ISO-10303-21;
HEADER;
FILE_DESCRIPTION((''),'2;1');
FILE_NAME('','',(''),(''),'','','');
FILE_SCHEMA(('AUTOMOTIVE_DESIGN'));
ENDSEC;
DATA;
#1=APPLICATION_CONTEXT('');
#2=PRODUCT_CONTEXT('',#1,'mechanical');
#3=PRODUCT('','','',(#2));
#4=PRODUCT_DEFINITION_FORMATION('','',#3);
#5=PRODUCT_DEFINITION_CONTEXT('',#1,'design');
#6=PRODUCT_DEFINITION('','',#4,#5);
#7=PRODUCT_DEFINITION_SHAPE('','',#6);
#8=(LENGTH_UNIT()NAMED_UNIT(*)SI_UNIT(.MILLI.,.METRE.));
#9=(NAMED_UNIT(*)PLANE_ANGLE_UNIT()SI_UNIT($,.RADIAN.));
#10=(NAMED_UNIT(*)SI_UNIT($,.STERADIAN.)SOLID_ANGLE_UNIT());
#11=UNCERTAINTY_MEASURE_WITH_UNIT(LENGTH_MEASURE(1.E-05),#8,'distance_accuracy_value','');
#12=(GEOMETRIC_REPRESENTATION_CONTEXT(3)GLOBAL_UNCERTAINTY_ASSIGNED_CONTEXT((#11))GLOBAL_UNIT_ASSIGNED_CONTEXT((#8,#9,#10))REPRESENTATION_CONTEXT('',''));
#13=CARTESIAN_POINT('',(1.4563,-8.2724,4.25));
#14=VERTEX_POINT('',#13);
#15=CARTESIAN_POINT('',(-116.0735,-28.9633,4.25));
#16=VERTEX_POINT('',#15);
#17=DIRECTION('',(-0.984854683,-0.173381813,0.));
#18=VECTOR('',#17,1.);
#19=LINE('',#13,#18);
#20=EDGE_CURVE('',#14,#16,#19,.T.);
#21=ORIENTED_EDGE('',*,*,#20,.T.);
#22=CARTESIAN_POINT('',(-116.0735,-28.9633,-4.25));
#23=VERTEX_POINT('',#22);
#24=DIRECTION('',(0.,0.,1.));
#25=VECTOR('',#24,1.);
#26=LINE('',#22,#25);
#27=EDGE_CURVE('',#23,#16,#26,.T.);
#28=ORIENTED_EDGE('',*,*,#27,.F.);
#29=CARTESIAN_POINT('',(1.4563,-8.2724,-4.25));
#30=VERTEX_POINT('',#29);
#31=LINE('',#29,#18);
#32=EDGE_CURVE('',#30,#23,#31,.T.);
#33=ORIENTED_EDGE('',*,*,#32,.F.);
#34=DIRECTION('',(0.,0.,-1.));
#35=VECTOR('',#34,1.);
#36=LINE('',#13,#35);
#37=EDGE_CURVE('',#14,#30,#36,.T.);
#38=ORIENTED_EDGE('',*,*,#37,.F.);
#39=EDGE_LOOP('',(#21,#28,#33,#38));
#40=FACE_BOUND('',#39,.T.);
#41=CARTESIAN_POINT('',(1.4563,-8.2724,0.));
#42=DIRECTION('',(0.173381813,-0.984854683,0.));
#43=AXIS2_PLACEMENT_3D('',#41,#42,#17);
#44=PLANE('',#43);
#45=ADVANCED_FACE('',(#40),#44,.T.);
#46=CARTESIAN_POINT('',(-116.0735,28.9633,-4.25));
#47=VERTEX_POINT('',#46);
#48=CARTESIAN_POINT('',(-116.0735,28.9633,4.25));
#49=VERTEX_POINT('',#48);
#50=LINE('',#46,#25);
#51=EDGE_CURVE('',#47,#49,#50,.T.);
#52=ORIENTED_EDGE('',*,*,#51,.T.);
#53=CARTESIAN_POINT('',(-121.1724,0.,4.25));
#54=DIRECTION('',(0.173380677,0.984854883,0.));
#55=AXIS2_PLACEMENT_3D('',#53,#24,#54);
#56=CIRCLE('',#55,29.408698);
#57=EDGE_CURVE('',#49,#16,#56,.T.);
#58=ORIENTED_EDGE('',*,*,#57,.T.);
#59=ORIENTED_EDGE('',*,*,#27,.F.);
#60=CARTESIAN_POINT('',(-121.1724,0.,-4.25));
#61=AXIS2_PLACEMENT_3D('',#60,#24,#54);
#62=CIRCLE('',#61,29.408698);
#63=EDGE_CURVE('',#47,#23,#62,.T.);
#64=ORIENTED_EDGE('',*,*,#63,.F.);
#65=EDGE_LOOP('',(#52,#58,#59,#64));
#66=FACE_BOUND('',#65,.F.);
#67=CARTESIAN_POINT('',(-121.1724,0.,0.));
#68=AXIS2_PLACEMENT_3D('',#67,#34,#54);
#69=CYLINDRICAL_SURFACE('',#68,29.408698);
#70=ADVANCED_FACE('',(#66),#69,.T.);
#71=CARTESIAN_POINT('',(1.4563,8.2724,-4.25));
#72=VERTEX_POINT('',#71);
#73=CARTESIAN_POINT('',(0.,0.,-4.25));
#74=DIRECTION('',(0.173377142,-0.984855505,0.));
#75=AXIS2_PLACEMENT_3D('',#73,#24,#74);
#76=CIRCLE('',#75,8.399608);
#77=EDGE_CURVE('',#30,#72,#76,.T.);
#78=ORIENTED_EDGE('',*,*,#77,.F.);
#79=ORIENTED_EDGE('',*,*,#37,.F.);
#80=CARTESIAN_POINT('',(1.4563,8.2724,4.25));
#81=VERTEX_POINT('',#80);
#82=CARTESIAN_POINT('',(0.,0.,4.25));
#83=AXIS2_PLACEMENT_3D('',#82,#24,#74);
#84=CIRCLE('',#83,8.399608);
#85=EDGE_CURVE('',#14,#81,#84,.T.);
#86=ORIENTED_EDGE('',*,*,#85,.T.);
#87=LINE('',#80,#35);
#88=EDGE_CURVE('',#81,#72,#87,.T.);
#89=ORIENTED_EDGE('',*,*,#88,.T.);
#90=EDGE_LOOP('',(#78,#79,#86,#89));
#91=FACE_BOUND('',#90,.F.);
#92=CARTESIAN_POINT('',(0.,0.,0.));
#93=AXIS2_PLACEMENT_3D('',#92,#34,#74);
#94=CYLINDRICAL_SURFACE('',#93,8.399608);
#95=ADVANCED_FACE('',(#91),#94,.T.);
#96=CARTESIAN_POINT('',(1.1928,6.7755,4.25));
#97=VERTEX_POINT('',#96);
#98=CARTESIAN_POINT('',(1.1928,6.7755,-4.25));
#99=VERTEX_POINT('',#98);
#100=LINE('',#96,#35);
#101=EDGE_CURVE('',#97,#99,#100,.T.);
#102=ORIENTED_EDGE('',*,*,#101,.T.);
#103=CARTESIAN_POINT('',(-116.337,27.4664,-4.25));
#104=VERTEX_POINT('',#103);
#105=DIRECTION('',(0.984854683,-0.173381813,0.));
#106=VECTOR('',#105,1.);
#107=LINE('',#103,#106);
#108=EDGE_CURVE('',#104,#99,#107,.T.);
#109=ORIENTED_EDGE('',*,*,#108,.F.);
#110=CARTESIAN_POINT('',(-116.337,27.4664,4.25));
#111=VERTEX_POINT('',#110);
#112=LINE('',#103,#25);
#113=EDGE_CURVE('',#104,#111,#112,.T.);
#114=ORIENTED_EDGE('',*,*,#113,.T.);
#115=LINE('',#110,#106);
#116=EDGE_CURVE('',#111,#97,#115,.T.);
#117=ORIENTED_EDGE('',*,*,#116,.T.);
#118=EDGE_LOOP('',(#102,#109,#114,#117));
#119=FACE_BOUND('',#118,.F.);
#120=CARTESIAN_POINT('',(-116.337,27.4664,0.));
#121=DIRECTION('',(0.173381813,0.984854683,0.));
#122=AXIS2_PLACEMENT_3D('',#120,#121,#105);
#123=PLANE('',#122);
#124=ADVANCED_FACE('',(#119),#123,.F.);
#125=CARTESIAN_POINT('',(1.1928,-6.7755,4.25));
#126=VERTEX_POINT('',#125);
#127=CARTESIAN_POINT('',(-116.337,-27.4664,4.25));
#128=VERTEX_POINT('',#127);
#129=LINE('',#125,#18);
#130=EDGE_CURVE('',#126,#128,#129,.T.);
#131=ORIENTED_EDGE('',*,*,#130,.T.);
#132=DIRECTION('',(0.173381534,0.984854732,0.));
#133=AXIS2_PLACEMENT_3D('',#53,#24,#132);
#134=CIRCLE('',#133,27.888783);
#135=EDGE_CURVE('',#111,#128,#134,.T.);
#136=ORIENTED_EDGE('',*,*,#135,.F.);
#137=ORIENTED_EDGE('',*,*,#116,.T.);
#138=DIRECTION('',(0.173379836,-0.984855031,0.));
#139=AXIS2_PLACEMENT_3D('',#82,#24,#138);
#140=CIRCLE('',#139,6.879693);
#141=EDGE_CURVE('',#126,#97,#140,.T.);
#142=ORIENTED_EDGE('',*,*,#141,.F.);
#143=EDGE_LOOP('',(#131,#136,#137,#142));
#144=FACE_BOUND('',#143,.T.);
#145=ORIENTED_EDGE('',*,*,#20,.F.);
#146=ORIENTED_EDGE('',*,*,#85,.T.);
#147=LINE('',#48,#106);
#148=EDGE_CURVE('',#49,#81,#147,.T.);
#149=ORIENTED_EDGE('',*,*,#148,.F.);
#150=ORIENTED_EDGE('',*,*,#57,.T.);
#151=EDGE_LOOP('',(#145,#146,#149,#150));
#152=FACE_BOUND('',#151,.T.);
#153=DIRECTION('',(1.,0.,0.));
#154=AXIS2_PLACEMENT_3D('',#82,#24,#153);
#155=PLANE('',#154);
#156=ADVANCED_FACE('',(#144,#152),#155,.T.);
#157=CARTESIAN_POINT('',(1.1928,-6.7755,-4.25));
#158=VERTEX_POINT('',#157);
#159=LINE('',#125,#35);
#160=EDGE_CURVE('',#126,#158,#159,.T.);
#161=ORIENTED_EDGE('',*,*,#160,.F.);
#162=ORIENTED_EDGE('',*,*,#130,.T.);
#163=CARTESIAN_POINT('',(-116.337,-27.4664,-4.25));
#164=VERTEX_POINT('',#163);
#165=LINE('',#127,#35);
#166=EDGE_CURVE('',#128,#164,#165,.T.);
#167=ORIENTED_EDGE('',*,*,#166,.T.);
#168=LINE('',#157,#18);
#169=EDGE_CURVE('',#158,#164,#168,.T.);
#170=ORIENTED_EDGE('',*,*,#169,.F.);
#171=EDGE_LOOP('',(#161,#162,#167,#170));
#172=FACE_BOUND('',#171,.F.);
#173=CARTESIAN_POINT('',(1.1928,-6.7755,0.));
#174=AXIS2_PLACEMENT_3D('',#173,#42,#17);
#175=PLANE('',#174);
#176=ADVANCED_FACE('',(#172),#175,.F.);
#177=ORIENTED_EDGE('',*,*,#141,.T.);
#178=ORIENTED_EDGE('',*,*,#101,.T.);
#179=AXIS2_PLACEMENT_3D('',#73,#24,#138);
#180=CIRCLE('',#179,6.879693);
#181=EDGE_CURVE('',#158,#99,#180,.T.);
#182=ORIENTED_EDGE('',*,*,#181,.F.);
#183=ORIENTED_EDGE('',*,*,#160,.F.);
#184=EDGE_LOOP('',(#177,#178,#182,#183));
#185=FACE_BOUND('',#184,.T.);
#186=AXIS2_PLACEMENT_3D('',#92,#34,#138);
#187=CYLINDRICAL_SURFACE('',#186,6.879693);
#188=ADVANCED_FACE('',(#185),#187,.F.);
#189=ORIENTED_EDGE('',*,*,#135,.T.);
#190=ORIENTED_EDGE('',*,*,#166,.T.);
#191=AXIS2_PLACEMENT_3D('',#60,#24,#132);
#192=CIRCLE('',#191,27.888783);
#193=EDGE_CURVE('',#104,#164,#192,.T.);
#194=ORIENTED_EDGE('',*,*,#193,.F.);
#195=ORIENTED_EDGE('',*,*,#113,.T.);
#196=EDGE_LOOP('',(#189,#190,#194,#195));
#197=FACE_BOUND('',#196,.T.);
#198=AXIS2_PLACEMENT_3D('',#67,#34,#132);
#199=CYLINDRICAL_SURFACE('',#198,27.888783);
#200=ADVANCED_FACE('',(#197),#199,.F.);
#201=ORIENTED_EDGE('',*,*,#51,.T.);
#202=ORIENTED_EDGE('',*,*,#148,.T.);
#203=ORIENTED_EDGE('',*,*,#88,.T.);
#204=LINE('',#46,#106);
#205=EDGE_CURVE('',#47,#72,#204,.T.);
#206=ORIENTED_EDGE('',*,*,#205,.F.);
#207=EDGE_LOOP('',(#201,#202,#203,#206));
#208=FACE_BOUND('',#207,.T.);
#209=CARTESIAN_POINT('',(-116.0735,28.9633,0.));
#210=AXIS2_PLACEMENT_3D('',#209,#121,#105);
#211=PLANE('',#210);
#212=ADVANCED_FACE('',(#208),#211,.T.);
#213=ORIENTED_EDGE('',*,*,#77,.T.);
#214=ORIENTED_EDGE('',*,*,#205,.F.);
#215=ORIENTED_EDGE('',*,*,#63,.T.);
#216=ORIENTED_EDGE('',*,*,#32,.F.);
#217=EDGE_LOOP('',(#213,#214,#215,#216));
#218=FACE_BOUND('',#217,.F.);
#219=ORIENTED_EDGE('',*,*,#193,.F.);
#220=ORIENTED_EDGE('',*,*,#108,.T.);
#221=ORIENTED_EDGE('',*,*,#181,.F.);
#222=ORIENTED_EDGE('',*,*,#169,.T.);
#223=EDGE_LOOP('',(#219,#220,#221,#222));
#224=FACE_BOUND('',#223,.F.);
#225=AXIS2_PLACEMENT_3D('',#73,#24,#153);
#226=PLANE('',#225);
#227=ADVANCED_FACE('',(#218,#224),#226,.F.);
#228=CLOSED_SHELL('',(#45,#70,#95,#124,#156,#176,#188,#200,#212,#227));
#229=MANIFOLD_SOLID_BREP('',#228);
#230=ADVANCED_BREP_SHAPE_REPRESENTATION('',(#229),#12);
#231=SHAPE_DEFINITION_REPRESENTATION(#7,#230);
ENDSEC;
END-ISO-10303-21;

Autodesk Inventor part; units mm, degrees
ref_plane "YZ Plane" through (0, 0, 0) normal (1, 0, 0) x (0, 1, 0)
ref_plane "XZ Plane" through (0, 0, 0) normal (0, 1, 0) x (-1, 0, 0)
ref_plane "XY Plane" through (0, 0, 0) normal (0, 0, 1) x (1, 0, 0)
sketch "Sketch1" plane through (0, 0, 0) normal (0, 0, 1) x (1, 0, 0)
  arc A0 (1.3246, -7.524) -> (1.3246, 7.524) centre (0, 0) ccw construction
  arc A1 (-116.2053, 28.2148) -> (-116.2053, -28.2148) centre (-121.1724, 0) ccw construction
  line L0 (1.3246, -7.524) -> (-116.2053, -28.2148) construction
  line L1 (1.3246, 7.524) -> (-116.2053, 28.2148) construction
  dimension "Belt_Teeth" = 120
  dimension "Belt_Pitch2" = 3
  dimension "d0" = 15.2793
  dimension "d1" = 57.2975
  dimension "d2" = 21.3381
  dimension "d3" = 99.9874
  dimension "Center_Distance" = 121.1724
  dimension "d5" = 119.3372
sketch "Sketch2" plane through (0, 0, 0) normal (0, 0, 1) x (1, 0, 0)
  line L0 (35.7235, 34.2567) -> (38.7235, 34.2567)
  point P0 (0, 0)
  dimension "Belt_Pitch2" = 3
sketch "Sketch4" plane through (0, 0, 0) normal (0, 0, 1) x (1, 0, 0)
  line L0 (-16.1422, -21.869) -> (-14.1422, -21.869)
  line L1 (-16.1422, -21.869) -> (-16.1422, -20.349)
  arc A0 (-15.5872, -20.904) -> (-16.1422, -20.349) centre (-16.1422, -20.904) ccw
  line L2 (-15.5872, -20.904) -> (-15.5872, -20.959)
  arc A1 (-15.5872, -20.959) -> (-15.4372, -21.109) centre (-15.4372, -20.959) ccw
  line L3 (-15.4372, -21.109) -> (-14.8472, -21.109)
  line L4 (-14.1422, -21.869) -> (-14.1422, -20.349)
  arc A2 (-14.1422, -20.349) -> (-14.6972, -20.904) centre (-14.1422, -20.904) ccw
  arc A3 (-14.8472, -21.109) -> (-14.6972, -20.959) centre (-14.8472, -20.959) ccw
  line L5 (-14.6972, -20.959) -> (-14.6972, -20.904)
  line L6 (1.3246, 7.524) -> (-116.2053, 28.2148) construction
  arc A4 (-116.2053, 28.2148) -> (-116.2053, -28.2148) centre (-121.1724, 0) ccw construction
  line L7 (1.3246, -7.524) -> (-116.2053, -28.2148) construction
  arc A5 (1.3246, -7.524) -> (1.3246, 7.524) centre (0, 0) ccw construction
  arc A6 (-116.0735, 28.9633) -> (-116.0735, -28.9633) centre (-121.1724, 0) ccw
  line L8 (-116.0735, 28.9633) -> (1.4563, 8.2724)
  arc A7 (1.4563, -8.2724) -> (1.4563, 8.2724) centre (0, 0) ccw
  line L9 (1.4563, -8.2724) -> (-116.0735, -28.9633)
  arc A8 (-116.337, 27.4664) -> (-116.337, -27.4664) centre (-121.1724, 0) ccw
  line L10 (-116.337, 27.4664) -> (1.1928, 6.7755)
  arc A9 (1.1928, -6.7755) -> (1.1928, 6.7755) centre (0, 0) ccw
  line L11 (1.1928, -6.7755) -> (-116.337, -27.4664)
  point P0 (-15.1422, -21.109)
  point P1 (-15.1422, -21.869)
  dimension "d9" = 2
  dimension "d10" = 1.52
  dimension "d11" = 0.76
  dimension "d12" = 0.555
  dimension "d13" = 0.555
  dimension "d14" = 0.15
  dimension "d15" = 0.15
  dimension "belt_thickness" = 1.52
  dimension "d44" = 0.76
extrude "Extrusion2" add sketch "Sketch4" along normal mid plane 8.5 contours L8 A7 L9 A6
sketch "Sketch5" plane through (0, 0, 4.25) normal (0, 0, 1) x (1, 0, 0)
  line L0 (-116.337, 27.4664) -> (1.1928, 6.7755) construction
  arc A0 (1.1928, -6.7755) -> (1.1928, 6.7755) centre (0, 0) ccw construction
  line L1 (1.1928, -6.7755) -> (-116.337, -27.4664) construction
  arc A1 (-116.337, 27.4664) -> (-116.337, -27.4664) centre (-121.1724, 0) ccw construction
  arc A2 (-116.0735, 28.9633) -> (-116.0735, -28.9633) centre (-121.1724, 0) ccw construction
  line L2 (-116.0735, -28.9633) -> (1.4563, -8.2724) construction
  arc A3 (1.4563, -8.2724) -> (1.4563, 8.2724) centre (0, 0) ccw construction
  line L3 (1.4563, 8.2724) -> (-116.0735, 28.9633) construction
  line L4 (-7.7556, -2.6989) -> (-5.7556, -2.6989)
  line L5 (-7.7556, -2.6989) -> (-7.7556, -1.1789) construction
  arc A4 (-7.2006, -1.7339) -> (-7.7556, -1.1789) centre (-7.7556, -1.7339) ccw
  line L6 (-7.2006, -1.7339) -> (-7.2006, -1.7889)
  arc A5 (-7.2006, -1.7889) -> (-7.0506, -1.9389) centre (-7.0506, -1.7889) ccw
  line L7 (-7.0506, -1.9389) -> (-6.4606, -1.9389)
  line L8 (-5.7556, -2.6989) -> (-5.7556, -1.1789)
  arc A6 (-5.7556, -1.1789) -> (-6.3106, -1.7339) centre (-5.7556, -1.7339) ccw
  arc A7 (-6.4606, -1.9389) -> (-6.3106, -1.7889) centre (-6.4606, -1.7889) ccw
  line L9 (-6.3106, -1.7889) -> (-6.3106, -1.7339)
  line L10 (-8.3106, -1.7339) -> (-8.3106, -1.7889)
  arc A8 (-7.7556, -1.1789) -> (-8.3106, -1.7339) centre (-7.7556, -1.7339) ccw
  arc A9 (-8.4606, -1.9389) -> (-8.3106, -1.7889) centre (-8.4606, -1.7889) ccw
  line L11 (-8.4606, -1.9389) -> (-9.0506, -1.9389)
  line L12 (-7.7556, -2.6989) -> (-9.7556, -2.6989)
  line L13 (-9.2006, -1.7889) -> (-9.2006, -1.7339)
  arc A10 (-9.2006, -1.7339) -> (-9.7556, -1.1789) centre (-9.7556, -1.7339) ccw
  line L14 (-9.7556, -2.6989) -> (-9.7556, -1.1789)
  arc A11 (-9.2006, -1.7889) -> (-9.0506, -1.9389) centre (-9.0506, -1.7889) ccw
  line L15 (-17.66, -0.8495) -> (-14.922, -0.8495) construction
  line L16 (-14.922, -0.8495) -> (-14.922, -2.3671) construction
  line L17 (-14.922, -2.3671) -> (-17.66, -2.3671) construction
  line L18 (-17.66, -2.3671) -> (-17.66, -0.8495) construction
  arc A12 (-15.6383, -1.7102) -> (-16.7483, -1.7102) centre (-16.1933, -1.7102) ccw construction
  line L19 (-16.7483, -1.7102) -> (-16.7483, -1.7652) construction
  arc A13 (-16.8983, -1.9152) -> (-16.7483, -1.7652) centre (-16.8983, -1.7652) ccw construction
  line L20 (-16.7483, -1.7102) -> (-16.7483, -1.9152) construction
  line L21 (-15.6383, -1.7102) -> (-15.6383, -1.9152) construction
  point P0 (-6.7556, -1.9389)
  point P1 (-6.7556, -2.6989)
  point P2 (-8.7556, -2.6989)
  point P3 (-8.7556, -1.9389)
  dimension "d22" = 2
  dimension "d23" = 1.52
  dimension "d24" = 0.76
  dimension "d25" = 0.555
  dimension "d26" = 0.555
  dimension "d27" = 0.15
  dimension "d28" = 0.15
  dimension "d29" = 0.76
  dimension "d30" = 1
  dimension "d31" = 2
  dimension "d32" = 0.59
  dimension "d34" = 0.555
  dimension "d35" = 0
  dimension "d36" = 0
  dimension "d37" = 0.15
  dimension "d38" = 0.055
  dimension "d39" = 0.055
  dimension "d40" = 0
  dimension "d41" = 0
  dimension "d42" = 0.205
  dimension "d43" = 0.205
equation "\"d13\" = d12"
equation "\"d15\" = d14"
equation "\"d44\" = 0.5 * belt_thickness"
equation "\"d26\" = d25"
equation "\"d28\" = d27"
equation "\"d30\" = 0.5 * d22"
equation "\"d31\" = d22"
equation "\"d43\" = d42"
equation "\"Belt_Teeth\" = 120"
equation "\"Belt_Pitch\" = 3"
equation "\"HTD_5mm\" = 5"
equation "\"GT2_3mm\" = 3"
equation "\"Center_Distance_Copy\" = Center_Distance"
properties part number "120T GT2 Belt" material "Rubber"
